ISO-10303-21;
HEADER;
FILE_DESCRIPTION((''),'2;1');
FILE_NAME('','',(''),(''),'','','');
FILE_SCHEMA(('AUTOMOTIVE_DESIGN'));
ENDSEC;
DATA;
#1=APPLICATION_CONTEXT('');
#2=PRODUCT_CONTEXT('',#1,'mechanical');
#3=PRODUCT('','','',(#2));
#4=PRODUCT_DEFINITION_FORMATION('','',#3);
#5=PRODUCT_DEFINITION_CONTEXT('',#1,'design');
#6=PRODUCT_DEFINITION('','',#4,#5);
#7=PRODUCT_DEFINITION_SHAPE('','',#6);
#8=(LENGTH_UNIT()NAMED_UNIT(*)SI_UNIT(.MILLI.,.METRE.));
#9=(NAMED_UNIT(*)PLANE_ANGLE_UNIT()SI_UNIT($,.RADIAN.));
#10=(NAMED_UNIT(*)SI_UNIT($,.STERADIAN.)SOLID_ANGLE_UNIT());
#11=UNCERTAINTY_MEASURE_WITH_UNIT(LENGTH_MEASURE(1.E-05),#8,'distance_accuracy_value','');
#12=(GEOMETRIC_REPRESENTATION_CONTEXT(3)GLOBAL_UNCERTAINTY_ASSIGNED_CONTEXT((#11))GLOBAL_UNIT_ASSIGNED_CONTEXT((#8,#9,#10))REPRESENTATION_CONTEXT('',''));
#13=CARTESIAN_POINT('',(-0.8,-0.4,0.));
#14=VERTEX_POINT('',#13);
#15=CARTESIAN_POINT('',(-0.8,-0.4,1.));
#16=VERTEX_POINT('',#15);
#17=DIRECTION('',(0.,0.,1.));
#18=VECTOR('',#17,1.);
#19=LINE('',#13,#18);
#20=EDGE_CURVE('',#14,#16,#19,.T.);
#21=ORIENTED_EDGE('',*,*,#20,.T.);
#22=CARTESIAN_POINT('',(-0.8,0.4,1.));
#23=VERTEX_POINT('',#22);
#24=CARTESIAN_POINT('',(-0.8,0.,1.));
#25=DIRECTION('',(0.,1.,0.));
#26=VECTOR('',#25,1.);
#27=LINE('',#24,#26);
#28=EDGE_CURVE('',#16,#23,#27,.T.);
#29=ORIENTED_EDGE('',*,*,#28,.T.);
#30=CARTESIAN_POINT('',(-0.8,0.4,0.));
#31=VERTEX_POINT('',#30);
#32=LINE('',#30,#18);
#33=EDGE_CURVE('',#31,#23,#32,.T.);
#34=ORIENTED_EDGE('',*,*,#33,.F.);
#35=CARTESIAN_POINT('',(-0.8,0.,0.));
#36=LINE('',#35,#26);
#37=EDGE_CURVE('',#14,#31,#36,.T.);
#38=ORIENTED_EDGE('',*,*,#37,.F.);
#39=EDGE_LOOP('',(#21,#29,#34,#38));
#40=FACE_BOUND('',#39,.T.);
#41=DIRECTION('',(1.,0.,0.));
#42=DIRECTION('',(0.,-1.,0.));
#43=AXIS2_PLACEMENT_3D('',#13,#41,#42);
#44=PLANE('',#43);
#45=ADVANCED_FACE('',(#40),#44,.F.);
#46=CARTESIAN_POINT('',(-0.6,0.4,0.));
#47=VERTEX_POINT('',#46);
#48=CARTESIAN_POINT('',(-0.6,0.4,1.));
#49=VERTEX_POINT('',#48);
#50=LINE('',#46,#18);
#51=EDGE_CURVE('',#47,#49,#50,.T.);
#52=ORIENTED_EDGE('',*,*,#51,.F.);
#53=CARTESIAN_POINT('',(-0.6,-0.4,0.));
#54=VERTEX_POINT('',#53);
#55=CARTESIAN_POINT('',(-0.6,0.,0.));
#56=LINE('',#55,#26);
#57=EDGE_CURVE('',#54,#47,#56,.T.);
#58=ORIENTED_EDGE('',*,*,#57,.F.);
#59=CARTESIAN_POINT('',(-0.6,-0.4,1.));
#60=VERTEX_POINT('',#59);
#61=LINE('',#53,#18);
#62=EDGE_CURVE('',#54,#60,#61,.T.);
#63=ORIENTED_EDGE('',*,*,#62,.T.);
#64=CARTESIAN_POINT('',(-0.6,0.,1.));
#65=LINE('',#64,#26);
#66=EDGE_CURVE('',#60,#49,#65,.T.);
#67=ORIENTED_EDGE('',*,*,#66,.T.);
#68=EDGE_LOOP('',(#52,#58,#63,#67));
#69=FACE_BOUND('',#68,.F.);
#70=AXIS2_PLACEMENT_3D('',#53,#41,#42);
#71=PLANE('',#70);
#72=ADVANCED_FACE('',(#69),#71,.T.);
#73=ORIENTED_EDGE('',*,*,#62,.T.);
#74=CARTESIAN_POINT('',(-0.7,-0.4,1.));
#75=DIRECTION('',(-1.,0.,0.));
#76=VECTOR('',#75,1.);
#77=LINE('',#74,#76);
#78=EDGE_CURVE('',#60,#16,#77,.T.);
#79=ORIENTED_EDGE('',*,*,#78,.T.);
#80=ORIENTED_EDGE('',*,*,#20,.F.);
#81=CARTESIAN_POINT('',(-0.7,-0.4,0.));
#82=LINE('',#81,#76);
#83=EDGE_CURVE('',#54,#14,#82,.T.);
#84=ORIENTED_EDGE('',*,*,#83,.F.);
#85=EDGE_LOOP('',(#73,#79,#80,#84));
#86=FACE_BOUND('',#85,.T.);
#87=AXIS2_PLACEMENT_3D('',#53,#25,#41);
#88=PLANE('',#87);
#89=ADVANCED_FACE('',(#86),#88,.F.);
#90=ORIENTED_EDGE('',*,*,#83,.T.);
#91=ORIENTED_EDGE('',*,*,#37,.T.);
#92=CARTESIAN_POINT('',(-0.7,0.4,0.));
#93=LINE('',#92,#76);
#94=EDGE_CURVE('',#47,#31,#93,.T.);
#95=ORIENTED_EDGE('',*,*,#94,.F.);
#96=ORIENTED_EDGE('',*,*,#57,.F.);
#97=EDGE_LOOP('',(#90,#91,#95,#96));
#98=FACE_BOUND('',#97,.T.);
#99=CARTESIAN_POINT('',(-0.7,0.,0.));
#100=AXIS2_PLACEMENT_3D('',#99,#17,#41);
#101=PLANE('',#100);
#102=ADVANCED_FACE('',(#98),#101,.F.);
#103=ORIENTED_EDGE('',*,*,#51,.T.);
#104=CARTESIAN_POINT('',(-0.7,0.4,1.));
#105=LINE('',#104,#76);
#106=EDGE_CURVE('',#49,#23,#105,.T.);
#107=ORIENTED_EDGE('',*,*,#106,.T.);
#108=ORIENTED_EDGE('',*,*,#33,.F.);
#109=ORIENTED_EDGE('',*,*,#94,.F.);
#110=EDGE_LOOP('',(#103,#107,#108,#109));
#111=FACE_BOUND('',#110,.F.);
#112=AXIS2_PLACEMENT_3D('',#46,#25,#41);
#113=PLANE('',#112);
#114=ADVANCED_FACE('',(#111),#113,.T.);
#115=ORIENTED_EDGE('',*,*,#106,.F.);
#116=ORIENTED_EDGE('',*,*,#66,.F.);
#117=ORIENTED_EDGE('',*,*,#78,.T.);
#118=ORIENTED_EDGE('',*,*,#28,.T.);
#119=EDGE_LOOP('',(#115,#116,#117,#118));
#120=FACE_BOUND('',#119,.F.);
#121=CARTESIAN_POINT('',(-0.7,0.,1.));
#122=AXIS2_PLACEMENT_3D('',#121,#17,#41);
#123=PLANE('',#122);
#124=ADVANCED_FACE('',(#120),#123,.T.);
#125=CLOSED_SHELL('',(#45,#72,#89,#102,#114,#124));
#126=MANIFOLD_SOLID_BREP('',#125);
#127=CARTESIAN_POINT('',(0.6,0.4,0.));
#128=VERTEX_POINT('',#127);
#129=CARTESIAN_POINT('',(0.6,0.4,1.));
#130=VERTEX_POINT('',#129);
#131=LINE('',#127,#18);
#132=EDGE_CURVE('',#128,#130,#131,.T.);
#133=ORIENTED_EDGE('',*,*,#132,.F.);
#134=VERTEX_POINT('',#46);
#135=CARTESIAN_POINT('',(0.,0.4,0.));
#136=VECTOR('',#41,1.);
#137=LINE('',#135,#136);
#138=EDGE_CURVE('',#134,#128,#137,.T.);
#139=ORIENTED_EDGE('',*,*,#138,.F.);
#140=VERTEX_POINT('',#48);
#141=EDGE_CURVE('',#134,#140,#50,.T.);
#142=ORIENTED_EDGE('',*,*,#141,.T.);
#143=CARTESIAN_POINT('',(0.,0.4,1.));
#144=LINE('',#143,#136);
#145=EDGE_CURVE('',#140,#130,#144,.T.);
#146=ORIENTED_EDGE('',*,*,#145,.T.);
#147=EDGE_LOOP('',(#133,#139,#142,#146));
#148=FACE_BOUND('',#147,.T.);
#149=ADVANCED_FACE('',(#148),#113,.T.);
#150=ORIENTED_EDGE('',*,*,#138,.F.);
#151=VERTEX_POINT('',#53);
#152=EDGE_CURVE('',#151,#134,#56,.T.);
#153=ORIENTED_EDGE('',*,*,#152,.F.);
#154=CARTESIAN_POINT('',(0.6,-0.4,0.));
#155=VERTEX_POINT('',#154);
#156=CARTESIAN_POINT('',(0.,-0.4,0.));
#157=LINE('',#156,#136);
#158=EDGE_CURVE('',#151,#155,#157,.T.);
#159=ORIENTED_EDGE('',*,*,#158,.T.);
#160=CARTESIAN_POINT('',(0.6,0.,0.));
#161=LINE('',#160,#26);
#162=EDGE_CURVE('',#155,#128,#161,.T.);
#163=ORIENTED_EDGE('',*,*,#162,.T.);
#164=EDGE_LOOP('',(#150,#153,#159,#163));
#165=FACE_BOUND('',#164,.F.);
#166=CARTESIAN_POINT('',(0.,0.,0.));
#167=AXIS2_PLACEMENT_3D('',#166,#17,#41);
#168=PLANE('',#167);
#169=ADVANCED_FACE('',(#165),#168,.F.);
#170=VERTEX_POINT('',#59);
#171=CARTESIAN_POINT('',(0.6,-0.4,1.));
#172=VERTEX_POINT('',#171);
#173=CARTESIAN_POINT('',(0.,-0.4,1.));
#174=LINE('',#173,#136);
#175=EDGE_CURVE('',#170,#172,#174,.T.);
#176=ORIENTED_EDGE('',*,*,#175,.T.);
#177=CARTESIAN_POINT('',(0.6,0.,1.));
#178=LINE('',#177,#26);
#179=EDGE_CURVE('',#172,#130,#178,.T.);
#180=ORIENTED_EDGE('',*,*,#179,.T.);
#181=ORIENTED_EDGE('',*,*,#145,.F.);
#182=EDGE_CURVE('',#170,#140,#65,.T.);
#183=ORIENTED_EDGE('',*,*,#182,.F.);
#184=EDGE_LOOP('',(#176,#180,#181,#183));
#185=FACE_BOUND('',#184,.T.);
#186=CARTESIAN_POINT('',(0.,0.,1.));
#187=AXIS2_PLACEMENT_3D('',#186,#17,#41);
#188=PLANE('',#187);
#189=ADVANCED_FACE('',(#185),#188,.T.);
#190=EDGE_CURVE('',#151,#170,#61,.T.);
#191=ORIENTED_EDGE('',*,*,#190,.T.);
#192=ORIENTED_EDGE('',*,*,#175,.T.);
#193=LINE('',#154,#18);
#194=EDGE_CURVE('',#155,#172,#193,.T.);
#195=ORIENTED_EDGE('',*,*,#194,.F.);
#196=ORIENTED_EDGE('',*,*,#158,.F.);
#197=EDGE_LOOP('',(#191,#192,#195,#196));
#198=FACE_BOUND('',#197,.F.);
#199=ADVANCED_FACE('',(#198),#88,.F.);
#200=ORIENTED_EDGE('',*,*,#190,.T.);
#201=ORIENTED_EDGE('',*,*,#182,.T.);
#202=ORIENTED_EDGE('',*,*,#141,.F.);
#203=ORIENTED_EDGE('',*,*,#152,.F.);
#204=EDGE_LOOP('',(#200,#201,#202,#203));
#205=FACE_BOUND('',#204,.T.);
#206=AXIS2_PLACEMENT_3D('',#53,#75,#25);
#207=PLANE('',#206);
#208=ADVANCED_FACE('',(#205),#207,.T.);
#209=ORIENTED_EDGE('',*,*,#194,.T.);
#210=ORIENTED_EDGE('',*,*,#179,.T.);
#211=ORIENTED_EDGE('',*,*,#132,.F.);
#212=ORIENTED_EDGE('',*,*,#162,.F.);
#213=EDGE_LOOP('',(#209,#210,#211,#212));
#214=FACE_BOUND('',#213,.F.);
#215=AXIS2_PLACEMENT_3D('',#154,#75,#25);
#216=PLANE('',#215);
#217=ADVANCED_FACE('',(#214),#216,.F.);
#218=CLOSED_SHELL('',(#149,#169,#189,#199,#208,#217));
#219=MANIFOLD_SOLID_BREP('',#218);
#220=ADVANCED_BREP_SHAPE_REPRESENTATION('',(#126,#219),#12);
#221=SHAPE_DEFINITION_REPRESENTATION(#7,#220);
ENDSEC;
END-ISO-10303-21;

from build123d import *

# Parameters (mm, degrees)
SKETCH_W     = 1.2
SKETCH_H     = 0.8
PAD_DEPTH    = 1
SKETCH001_W  = 0.2
SKETCH001_H  = 0.8
PAD001_DEPTH = 1


with BuildPart() as body:
    # Sketch → Pad (new body)
    with BuildSketch(Plane.XY):
        Rectangle(SKETCH_W, SKETCH_H)
    extrude(amount=PAD_DEPTH)


with BuildPart() as body001:
    # Sketch001 → Pad001 (new body)
    with BuildSketch(Plane.XY):
        with Locations((0.7, 0)):
            Rectangle(SKETCH001_W, SKETCH001_H)
    extrude(amount=PAD001_DEPTH)


with BuildPart() as part_mirroring:
    # Part__Mirroring: instance of Body001
    add(body001.part.mirror(Plane(origin=(0, 0, 0), x_dir=(0, -1, 0), z_dir=(1, 0, 0))))


solid = Compound([body.part, part_mirroring.part])
